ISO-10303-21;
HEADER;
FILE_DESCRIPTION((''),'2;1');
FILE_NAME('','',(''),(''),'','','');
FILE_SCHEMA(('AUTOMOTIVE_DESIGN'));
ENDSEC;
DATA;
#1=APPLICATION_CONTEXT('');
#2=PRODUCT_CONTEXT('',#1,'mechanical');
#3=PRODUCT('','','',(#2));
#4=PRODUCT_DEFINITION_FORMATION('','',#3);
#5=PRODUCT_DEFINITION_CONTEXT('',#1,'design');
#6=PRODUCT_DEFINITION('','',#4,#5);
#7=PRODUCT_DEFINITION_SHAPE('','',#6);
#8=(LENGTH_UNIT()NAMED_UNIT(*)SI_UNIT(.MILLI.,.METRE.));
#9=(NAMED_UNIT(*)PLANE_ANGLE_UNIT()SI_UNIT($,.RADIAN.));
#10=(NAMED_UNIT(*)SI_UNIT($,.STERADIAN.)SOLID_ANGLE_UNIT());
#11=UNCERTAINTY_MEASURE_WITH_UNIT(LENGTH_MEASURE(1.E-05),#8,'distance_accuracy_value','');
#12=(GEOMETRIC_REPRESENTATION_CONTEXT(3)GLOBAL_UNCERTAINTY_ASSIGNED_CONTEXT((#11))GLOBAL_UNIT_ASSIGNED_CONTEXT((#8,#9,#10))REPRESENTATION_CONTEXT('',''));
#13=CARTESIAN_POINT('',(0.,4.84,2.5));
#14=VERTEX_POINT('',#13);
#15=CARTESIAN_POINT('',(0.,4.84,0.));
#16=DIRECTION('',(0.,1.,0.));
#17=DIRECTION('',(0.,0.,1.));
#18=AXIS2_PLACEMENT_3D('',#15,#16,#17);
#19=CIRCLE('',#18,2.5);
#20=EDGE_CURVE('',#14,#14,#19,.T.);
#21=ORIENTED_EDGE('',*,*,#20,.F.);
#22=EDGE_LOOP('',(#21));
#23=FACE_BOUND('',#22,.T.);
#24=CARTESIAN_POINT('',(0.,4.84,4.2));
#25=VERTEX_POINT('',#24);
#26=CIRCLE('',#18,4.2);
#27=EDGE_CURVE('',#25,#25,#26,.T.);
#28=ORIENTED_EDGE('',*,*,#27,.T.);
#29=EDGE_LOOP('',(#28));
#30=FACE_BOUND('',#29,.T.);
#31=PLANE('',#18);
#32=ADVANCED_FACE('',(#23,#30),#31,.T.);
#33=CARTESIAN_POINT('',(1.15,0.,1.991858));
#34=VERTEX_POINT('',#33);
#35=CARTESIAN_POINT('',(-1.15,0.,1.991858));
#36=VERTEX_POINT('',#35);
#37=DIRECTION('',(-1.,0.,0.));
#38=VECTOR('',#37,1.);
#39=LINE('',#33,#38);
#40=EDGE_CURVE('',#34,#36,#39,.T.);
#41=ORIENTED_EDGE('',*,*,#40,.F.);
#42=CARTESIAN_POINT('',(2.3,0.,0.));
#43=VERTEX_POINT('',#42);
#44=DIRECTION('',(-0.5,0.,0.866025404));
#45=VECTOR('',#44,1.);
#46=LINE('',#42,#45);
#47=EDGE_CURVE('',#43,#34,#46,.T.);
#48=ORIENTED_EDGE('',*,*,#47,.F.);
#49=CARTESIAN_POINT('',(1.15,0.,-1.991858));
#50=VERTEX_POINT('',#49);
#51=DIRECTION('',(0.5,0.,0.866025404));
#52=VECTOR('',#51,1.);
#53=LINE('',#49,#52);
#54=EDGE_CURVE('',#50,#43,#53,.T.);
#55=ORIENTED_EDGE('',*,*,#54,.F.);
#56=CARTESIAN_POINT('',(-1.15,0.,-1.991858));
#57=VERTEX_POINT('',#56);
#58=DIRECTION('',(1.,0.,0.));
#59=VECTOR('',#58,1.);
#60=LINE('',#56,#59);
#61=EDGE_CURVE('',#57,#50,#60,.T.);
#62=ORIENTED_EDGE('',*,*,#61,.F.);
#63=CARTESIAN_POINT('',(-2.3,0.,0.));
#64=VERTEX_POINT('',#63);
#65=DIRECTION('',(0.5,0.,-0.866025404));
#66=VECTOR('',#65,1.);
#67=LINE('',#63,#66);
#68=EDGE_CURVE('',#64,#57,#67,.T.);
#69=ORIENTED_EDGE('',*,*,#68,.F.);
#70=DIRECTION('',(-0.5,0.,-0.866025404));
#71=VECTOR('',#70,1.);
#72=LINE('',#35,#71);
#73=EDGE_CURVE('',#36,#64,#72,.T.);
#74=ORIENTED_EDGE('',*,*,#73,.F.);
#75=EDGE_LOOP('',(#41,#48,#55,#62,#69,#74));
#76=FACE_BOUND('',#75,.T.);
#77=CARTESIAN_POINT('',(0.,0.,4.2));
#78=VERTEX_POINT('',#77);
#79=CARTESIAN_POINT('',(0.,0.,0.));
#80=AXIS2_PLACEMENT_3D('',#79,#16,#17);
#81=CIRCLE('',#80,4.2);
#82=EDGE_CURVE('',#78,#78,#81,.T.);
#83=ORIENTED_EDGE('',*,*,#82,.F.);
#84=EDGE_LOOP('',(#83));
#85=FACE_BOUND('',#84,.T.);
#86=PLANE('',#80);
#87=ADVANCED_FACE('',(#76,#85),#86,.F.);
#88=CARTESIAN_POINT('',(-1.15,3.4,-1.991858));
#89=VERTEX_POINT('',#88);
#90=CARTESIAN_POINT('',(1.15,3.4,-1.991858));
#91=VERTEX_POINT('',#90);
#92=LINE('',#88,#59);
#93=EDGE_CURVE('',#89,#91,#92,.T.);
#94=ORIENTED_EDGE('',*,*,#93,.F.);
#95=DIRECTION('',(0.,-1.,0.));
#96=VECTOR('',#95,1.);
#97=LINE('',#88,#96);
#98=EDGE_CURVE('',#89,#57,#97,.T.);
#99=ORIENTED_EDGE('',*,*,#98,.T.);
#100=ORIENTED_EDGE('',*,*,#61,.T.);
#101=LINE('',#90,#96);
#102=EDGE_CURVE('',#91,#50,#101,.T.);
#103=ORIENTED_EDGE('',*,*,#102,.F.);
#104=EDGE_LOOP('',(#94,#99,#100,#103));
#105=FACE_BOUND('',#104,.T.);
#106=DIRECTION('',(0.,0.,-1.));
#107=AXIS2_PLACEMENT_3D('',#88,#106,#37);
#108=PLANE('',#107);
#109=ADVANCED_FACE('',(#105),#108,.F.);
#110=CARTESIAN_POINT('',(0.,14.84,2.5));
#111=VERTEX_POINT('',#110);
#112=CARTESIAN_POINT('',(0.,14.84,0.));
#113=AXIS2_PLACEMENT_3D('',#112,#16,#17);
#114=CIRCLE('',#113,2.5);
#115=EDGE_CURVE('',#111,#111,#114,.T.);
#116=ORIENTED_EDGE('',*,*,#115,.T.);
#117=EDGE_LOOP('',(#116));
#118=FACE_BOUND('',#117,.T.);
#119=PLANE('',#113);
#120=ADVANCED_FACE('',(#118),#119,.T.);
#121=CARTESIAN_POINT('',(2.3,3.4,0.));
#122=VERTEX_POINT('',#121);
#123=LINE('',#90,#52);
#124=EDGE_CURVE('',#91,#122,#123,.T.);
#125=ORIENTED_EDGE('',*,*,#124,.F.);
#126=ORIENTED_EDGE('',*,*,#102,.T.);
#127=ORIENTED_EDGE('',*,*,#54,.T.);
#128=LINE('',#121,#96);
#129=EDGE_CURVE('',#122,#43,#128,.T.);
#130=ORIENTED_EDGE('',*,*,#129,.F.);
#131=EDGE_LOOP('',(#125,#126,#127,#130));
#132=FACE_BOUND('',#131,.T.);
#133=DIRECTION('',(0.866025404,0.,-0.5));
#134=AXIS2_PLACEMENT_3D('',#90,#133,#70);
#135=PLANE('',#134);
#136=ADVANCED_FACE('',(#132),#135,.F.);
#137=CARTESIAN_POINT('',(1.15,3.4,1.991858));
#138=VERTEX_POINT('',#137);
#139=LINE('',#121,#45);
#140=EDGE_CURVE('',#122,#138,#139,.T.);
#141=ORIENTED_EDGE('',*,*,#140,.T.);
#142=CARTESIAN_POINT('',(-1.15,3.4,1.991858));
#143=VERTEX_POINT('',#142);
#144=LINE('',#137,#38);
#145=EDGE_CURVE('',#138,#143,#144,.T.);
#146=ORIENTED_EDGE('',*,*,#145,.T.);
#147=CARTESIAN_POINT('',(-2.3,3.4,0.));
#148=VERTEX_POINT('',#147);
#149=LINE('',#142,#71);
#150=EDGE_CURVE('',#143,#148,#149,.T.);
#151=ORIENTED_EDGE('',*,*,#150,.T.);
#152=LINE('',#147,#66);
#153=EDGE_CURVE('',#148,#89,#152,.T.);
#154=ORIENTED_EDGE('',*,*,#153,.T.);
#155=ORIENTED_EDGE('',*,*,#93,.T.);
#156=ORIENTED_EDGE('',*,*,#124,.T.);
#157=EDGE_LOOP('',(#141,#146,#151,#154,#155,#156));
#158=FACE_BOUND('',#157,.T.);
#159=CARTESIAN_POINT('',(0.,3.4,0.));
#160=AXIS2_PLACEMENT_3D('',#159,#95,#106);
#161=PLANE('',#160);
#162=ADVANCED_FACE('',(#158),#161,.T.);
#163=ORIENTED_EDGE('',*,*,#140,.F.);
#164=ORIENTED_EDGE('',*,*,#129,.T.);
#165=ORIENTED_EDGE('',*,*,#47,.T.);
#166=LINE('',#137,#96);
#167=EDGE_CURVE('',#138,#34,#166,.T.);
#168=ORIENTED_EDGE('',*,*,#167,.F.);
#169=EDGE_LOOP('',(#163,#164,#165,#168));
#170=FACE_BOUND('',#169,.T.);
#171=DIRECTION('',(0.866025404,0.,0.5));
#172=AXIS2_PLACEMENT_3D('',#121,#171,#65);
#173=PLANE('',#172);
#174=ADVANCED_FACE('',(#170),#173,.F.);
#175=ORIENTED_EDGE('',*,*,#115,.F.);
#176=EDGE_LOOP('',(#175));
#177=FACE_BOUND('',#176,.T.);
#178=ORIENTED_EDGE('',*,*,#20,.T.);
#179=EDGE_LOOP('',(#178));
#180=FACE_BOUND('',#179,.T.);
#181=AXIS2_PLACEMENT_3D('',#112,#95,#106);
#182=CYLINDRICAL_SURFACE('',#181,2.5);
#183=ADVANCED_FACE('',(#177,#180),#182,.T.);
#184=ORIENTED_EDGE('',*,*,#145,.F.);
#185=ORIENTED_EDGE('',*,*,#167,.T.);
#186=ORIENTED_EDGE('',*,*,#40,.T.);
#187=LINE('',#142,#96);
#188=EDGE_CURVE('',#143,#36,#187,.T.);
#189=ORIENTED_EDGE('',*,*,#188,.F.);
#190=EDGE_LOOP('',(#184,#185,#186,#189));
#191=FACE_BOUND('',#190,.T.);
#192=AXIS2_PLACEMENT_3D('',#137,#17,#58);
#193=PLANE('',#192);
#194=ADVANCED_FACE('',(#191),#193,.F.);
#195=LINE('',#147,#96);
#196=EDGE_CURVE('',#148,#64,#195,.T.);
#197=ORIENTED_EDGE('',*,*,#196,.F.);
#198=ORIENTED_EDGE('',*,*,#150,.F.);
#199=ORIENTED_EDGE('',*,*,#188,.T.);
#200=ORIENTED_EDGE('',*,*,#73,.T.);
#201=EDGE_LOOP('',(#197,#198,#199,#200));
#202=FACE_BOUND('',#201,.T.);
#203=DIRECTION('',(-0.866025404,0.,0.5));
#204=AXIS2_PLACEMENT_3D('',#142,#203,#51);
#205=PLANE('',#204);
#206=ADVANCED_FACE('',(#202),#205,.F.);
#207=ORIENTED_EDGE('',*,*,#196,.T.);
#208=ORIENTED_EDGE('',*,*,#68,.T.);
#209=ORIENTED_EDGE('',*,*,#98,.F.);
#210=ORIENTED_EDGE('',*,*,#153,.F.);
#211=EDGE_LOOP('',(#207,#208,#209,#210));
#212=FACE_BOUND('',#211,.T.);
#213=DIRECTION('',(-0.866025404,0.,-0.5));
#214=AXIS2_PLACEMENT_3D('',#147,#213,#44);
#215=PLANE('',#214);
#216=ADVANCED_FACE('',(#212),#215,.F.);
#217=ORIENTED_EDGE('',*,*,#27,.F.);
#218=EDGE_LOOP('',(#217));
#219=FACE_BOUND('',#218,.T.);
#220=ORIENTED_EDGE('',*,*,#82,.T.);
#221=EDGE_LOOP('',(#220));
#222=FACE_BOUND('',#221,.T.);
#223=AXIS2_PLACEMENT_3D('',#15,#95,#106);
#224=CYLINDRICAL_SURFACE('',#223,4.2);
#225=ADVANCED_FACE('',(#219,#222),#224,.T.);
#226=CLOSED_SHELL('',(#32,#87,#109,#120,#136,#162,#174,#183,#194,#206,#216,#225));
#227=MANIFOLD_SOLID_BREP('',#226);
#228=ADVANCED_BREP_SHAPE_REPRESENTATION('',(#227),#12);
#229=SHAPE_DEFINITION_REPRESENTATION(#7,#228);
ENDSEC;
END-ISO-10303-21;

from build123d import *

# Parameters (mm, degrees)
SKETCH_1_R          = 4.2
EXTRUDE_1_DEPTH     = 4.84
SKETCH_2_R          = 2.5
EXTRUDE_2_DEPTH     = 10
CUT_EXTRUDE_1_DEPTH = 3.4


with BuildPart() as part:
    # 草图1 → 凸台-拉伸1 (new body)
    with BuildSketch(Plane(origin=(0, 0, 0), x_dir=(1, 0, 0), z_dir=(0, 1, 0))):
        Circle(SKETCH_1_R)
    extrude(amount=EXTRUDE_1_DEPTH)

    # 草图2 → 凸台-拉伸2 (add)
    with BuildSketch(Plane(origin=(0, 4.84, 0), x_dir=(1, 0, 0), z_dir=(0, 1, 0))):
        Circle(SKETCH_2_R)
    extrude(amount=EXTRUDE_2_DEPTH)

    # 草图3 → 切除-拉伸1 (cut)
    with BuildSketch(Plane.XZ):
        Polygon((2.3, 0), (1.15, 1.991858429), (-1.15, 1.991858429), (-2.3, 0), (-1.15, -1.991858429), (1.15, -1.991858429), align=None)
    extrude(amount=-CUT_EXTRUDE_1_DEPTH, mode=Mode.SUBTRACT)


solid = part.part
